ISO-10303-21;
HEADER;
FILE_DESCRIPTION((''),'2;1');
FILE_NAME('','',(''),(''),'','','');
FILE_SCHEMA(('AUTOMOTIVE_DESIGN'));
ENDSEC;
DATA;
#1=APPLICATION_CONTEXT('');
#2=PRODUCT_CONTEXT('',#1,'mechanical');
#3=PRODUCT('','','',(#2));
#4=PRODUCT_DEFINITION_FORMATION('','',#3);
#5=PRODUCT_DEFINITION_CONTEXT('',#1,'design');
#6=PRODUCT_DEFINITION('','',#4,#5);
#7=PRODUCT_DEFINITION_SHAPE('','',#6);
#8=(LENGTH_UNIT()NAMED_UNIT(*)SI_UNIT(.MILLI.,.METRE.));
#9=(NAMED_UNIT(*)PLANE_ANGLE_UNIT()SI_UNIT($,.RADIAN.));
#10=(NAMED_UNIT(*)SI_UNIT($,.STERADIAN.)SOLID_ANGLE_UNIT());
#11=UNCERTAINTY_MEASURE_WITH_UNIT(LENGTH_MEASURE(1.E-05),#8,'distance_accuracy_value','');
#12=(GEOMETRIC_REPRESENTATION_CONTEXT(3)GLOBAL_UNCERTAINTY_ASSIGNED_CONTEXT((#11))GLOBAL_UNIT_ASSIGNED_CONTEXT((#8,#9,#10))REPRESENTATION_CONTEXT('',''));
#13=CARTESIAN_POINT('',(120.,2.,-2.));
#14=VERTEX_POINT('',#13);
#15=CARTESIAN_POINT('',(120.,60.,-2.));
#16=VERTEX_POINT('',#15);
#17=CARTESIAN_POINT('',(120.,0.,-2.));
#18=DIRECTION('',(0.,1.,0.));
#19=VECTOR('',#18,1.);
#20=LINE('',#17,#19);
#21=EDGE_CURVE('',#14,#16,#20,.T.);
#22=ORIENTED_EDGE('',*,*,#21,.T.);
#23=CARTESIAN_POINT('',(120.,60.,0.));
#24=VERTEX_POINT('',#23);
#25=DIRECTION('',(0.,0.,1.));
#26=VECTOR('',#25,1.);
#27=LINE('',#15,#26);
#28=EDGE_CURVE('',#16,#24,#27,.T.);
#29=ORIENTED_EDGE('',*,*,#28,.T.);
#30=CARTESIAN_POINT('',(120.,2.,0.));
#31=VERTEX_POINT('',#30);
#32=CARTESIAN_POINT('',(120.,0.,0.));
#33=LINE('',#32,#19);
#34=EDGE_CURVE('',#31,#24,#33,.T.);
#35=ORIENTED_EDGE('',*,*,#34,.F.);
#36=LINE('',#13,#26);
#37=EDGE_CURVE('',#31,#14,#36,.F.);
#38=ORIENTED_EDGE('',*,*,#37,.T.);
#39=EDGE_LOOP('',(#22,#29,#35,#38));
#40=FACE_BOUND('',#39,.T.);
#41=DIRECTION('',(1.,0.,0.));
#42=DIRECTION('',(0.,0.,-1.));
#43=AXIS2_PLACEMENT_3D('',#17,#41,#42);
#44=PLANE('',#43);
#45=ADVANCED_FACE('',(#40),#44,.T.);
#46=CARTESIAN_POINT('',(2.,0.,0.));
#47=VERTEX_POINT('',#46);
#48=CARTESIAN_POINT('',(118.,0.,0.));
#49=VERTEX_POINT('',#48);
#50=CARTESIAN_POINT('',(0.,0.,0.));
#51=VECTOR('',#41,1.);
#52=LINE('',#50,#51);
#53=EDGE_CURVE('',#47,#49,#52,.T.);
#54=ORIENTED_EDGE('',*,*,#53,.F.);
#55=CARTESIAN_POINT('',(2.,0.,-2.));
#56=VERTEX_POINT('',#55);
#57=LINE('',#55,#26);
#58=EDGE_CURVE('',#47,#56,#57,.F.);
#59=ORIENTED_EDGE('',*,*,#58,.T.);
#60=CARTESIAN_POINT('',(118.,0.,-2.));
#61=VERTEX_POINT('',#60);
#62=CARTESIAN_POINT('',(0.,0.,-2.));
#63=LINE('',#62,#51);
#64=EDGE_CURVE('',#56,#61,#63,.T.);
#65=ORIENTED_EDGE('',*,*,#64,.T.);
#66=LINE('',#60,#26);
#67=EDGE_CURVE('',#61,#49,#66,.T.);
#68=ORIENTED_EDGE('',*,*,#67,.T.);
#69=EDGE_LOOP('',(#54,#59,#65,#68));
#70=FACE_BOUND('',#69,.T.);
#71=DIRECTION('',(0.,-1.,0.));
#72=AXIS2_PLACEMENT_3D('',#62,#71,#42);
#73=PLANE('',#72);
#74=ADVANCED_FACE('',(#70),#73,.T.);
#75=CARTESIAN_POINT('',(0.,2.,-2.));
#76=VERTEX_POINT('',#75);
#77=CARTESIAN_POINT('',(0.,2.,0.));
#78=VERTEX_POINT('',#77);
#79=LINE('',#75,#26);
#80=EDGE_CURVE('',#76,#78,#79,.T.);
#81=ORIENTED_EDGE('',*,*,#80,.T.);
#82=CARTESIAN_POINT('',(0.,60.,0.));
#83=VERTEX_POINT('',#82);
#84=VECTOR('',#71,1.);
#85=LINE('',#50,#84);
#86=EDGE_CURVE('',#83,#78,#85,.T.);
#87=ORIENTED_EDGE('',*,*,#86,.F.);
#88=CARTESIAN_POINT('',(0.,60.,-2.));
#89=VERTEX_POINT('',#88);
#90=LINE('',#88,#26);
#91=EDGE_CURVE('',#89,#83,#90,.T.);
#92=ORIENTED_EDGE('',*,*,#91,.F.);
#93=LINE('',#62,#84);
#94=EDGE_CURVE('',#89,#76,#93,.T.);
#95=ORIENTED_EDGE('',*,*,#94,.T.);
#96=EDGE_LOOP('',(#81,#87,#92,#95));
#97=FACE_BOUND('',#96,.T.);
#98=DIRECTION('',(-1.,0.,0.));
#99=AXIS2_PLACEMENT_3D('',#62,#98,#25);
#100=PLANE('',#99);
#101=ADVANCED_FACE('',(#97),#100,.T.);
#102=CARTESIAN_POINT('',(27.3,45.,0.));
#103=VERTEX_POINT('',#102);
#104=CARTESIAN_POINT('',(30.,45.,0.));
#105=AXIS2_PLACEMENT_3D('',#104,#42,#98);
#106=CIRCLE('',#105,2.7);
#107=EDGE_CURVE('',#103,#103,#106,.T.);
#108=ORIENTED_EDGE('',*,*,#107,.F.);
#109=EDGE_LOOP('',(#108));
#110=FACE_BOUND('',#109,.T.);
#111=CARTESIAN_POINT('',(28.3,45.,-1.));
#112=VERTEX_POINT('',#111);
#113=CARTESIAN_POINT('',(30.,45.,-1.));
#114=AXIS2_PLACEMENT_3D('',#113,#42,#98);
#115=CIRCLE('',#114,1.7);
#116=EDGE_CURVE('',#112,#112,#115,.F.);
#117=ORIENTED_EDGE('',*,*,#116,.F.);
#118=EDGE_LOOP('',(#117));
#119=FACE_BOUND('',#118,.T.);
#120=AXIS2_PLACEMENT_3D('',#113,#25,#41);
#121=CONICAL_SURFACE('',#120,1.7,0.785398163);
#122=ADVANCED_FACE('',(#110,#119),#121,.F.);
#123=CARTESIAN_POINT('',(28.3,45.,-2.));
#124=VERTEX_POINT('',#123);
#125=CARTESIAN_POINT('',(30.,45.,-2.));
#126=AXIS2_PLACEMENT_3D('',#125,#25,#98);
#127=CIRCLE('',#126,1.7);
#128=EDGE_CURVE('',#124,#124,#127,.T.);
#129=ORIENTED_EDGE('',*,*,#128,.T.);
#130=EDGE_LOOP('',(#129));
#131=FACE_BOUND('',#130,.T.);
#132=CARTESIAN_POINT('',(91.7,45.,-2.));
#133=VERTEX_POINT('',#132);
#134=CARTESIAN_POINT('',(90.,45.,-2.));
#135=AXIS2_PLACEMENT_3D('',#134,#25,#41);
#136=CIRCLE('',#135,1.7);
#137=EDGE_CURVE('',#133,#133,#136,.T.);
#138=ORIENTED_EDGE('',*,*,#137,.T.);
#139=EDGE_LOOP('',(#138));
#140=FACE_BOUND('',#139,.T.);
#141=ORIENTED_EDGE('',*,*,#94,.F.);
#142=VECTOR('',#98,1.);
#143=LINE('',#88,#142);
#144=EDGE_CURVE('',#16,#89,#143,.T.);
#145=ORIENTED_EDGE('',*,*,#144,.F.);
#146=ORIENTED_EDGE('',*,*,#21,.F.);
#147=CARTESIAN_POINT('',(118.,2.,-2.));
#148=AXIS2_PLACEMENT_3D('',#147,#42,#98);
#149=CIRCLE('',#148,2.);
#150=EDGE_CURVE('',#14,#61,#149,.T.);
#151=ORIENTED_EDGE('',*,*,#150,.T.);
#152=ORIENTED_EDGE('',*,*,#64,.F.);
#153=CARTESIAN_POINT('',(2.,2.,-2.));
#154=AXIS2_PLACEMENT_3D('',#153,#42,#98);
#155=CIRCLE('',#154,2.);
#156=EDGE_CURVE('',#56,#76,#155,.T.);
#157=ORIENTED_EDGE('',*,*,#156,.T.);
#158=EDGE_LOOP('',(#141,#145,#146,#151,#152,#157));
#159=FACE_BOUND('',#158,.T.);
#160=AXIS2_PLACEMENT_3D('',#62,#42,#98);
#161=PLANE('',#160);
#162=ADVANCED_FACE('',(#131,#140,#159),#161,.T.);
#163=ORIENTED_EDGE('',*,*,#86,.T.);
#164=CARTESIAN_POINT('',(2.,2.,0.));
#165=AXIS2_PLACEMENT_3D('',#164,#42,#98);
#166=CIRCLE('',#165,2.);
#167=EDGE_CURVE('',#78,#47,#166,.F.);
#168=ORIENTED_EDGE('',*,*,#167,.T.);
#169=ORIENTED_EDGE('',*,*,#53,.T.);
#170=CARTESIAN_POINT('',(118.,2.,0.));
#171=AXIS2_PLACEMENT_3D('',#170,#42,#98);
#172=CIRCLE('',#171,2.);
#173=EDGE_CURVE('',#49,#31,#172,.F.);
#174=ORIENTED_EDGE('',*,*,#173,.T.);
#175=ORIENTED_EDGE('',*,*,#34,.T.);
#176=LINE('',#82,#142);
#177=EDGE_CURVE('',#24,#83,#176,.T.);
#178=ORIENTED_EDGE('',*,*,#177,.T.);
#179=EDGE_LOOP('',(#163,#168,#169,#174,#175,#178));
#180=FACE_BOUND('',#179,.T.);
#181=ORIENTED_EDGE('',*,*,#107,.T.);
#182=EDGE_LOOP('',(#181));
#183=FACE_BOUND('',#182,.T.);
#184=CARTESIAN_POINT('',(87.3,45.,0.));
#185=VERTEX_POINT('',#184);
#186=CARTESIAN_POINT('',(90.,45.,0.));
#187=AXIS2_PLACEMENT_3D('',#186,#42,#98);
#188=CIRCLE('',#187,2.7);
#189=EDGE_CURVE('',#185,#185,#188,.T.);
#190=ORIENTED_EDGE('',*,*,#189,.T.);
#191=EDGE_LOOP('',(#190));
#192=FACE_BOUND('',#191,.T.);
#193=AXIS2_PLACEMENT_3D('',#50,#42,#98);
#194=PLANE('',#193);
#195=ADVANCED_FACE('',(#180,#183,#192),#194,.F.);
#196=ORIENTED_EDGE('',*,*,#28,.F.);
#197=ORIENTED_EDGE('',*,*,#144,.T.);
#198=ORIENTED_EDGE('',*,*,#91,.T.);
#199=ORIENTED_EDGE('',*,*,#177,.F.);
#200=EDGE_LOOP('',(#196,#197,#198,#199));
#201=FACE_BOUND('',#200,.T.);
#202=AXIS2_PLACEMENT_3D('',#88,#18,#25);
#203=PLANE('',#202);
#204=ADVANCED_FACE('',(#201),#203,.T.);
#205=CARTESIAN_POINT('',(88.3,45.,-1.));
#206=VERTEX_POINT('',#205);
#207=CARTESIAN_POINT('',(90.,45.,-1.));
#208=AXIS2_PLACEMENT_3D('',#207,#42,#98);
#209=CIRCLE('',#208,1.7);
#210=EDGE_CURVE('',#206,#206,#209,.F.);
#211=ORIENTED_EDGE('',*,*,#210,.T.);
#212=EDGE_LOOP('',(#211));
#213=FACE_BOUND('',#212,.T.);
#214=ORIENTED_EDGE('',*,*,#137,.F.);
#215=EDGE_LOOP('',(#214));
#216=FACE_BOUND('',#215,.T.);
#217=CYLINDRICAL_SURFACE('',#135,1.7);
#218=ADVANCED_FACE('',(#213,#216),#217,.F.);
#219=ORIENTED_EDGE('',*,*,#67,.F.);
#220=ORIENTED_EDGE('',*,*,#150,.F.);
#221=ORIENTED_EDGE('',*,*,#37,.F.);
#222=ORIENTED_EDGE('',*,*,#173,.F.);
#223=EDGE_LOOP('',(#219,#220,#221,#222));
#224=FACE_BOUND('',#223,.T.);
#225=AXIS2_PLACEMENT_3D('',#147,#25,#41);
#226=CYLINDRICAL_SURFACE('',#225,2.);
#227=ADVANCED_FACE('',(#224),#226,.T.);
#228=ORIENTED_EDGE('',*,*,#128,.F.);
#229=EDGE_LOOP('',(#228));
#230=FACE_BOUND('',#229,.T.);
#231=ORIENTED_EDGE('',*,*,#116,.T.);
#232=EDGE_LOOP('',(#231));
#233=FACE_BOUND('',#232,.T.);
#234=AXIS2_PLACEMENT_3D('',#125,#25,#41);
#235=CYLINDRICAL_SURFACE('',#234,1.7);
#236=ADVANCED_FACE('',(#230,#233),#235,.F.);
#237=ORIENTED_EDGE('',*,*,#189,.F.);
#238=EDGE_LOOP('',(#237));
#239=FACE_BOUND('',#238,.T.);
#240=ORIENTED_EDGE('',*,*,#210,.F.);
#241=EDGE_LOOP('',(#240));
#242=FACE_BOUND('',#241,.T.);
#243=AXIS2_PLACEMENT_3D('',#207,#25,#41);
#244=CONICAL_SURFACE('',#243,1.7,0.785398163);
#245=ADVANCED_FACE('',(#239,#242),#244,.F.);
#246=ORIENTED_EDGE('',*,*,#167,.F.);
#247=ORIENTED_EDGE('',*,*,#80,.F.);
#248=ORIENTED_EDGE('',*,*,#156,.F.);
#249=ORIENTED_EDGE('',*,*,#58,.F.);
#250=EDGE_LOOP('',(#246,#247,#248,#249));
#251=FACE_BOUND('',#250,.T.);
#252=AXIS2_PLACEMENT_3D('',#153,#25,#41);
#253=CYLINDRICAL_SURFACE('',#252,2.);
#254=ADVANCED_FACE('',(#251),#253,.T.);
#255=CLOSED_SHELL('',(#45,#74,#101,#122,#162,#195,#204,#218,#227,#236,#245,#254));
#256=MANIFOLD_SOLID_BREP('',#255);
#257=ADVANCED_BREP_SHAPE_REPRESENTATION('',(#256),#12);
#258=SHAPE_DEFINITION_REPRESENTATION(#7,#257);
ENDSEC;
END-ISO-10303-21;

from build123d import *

# Parameters (mm, degrees)
SCHIZZO1_W                   = 120
SCHIZZO1_H                   = 60
SCHIZZO1_R                   = 1.7
ESTRUSIONE_ESTRUSIONE2_DEPTH = 2
RACCORDO1_R                  = 2
RACCORDO2_R                  = 2
SMUSSO1_SIZE                 = 1
SMUSSO2_SIZE                 = 1


with BuildPart() as part:
    # Schizzo1 → Estrusione-Estrusione2 (new body)
    with BuildSketch(Plane.XY):
        with Locations((60, 30)):
            Rectangle(SCHIZZO1_W, SCHIZZO1_H)
        with Locations((90, 45)):
            Circle(SCHIZZO1_R, mode=Mode.SUBTRACT)
        with Locations(Location((30, 45, 0), (0, 0, 180))):
            Circle(SCHIZZO1_R, mode=Mode.SUBTRACT)
    extrude(amount=-ESTRUSIONE_ESTRUSIONE2_DEPTH)

    # Raccordo1
    raccordo1_edges = [part.edges().sort_by_distance(p)[0] for p in [
        (0, 0, -1),
    ]]
    fillet(raccordo1_edges, radius=RACCORDO1_R)

    # Raccordo2
    raccordo2_edges = [part.edges().sort_by_distance(p)[0] for p in [
        (120, 0, -1),
    ]]
    fillet(raccordo2_edges, radius=RACCORDO2_R)

    # Smusso1
    smusso1_edges = [part.edges().sort_by_distance(p)[0] for p in [
        (31.7, 45, 0),
    ]]
    chamfer(smusso1_edges, length=SMUSSO1_SIZE)

    # Smusso2
    smusso2_edges = [part.edges().sort_by_distance(p)[0] for p in [
        (88.3, 45, 0),
    ]]
    chamfer(smusso2_edges, length=SMUSSO2_SIZE)


solid = part.part
